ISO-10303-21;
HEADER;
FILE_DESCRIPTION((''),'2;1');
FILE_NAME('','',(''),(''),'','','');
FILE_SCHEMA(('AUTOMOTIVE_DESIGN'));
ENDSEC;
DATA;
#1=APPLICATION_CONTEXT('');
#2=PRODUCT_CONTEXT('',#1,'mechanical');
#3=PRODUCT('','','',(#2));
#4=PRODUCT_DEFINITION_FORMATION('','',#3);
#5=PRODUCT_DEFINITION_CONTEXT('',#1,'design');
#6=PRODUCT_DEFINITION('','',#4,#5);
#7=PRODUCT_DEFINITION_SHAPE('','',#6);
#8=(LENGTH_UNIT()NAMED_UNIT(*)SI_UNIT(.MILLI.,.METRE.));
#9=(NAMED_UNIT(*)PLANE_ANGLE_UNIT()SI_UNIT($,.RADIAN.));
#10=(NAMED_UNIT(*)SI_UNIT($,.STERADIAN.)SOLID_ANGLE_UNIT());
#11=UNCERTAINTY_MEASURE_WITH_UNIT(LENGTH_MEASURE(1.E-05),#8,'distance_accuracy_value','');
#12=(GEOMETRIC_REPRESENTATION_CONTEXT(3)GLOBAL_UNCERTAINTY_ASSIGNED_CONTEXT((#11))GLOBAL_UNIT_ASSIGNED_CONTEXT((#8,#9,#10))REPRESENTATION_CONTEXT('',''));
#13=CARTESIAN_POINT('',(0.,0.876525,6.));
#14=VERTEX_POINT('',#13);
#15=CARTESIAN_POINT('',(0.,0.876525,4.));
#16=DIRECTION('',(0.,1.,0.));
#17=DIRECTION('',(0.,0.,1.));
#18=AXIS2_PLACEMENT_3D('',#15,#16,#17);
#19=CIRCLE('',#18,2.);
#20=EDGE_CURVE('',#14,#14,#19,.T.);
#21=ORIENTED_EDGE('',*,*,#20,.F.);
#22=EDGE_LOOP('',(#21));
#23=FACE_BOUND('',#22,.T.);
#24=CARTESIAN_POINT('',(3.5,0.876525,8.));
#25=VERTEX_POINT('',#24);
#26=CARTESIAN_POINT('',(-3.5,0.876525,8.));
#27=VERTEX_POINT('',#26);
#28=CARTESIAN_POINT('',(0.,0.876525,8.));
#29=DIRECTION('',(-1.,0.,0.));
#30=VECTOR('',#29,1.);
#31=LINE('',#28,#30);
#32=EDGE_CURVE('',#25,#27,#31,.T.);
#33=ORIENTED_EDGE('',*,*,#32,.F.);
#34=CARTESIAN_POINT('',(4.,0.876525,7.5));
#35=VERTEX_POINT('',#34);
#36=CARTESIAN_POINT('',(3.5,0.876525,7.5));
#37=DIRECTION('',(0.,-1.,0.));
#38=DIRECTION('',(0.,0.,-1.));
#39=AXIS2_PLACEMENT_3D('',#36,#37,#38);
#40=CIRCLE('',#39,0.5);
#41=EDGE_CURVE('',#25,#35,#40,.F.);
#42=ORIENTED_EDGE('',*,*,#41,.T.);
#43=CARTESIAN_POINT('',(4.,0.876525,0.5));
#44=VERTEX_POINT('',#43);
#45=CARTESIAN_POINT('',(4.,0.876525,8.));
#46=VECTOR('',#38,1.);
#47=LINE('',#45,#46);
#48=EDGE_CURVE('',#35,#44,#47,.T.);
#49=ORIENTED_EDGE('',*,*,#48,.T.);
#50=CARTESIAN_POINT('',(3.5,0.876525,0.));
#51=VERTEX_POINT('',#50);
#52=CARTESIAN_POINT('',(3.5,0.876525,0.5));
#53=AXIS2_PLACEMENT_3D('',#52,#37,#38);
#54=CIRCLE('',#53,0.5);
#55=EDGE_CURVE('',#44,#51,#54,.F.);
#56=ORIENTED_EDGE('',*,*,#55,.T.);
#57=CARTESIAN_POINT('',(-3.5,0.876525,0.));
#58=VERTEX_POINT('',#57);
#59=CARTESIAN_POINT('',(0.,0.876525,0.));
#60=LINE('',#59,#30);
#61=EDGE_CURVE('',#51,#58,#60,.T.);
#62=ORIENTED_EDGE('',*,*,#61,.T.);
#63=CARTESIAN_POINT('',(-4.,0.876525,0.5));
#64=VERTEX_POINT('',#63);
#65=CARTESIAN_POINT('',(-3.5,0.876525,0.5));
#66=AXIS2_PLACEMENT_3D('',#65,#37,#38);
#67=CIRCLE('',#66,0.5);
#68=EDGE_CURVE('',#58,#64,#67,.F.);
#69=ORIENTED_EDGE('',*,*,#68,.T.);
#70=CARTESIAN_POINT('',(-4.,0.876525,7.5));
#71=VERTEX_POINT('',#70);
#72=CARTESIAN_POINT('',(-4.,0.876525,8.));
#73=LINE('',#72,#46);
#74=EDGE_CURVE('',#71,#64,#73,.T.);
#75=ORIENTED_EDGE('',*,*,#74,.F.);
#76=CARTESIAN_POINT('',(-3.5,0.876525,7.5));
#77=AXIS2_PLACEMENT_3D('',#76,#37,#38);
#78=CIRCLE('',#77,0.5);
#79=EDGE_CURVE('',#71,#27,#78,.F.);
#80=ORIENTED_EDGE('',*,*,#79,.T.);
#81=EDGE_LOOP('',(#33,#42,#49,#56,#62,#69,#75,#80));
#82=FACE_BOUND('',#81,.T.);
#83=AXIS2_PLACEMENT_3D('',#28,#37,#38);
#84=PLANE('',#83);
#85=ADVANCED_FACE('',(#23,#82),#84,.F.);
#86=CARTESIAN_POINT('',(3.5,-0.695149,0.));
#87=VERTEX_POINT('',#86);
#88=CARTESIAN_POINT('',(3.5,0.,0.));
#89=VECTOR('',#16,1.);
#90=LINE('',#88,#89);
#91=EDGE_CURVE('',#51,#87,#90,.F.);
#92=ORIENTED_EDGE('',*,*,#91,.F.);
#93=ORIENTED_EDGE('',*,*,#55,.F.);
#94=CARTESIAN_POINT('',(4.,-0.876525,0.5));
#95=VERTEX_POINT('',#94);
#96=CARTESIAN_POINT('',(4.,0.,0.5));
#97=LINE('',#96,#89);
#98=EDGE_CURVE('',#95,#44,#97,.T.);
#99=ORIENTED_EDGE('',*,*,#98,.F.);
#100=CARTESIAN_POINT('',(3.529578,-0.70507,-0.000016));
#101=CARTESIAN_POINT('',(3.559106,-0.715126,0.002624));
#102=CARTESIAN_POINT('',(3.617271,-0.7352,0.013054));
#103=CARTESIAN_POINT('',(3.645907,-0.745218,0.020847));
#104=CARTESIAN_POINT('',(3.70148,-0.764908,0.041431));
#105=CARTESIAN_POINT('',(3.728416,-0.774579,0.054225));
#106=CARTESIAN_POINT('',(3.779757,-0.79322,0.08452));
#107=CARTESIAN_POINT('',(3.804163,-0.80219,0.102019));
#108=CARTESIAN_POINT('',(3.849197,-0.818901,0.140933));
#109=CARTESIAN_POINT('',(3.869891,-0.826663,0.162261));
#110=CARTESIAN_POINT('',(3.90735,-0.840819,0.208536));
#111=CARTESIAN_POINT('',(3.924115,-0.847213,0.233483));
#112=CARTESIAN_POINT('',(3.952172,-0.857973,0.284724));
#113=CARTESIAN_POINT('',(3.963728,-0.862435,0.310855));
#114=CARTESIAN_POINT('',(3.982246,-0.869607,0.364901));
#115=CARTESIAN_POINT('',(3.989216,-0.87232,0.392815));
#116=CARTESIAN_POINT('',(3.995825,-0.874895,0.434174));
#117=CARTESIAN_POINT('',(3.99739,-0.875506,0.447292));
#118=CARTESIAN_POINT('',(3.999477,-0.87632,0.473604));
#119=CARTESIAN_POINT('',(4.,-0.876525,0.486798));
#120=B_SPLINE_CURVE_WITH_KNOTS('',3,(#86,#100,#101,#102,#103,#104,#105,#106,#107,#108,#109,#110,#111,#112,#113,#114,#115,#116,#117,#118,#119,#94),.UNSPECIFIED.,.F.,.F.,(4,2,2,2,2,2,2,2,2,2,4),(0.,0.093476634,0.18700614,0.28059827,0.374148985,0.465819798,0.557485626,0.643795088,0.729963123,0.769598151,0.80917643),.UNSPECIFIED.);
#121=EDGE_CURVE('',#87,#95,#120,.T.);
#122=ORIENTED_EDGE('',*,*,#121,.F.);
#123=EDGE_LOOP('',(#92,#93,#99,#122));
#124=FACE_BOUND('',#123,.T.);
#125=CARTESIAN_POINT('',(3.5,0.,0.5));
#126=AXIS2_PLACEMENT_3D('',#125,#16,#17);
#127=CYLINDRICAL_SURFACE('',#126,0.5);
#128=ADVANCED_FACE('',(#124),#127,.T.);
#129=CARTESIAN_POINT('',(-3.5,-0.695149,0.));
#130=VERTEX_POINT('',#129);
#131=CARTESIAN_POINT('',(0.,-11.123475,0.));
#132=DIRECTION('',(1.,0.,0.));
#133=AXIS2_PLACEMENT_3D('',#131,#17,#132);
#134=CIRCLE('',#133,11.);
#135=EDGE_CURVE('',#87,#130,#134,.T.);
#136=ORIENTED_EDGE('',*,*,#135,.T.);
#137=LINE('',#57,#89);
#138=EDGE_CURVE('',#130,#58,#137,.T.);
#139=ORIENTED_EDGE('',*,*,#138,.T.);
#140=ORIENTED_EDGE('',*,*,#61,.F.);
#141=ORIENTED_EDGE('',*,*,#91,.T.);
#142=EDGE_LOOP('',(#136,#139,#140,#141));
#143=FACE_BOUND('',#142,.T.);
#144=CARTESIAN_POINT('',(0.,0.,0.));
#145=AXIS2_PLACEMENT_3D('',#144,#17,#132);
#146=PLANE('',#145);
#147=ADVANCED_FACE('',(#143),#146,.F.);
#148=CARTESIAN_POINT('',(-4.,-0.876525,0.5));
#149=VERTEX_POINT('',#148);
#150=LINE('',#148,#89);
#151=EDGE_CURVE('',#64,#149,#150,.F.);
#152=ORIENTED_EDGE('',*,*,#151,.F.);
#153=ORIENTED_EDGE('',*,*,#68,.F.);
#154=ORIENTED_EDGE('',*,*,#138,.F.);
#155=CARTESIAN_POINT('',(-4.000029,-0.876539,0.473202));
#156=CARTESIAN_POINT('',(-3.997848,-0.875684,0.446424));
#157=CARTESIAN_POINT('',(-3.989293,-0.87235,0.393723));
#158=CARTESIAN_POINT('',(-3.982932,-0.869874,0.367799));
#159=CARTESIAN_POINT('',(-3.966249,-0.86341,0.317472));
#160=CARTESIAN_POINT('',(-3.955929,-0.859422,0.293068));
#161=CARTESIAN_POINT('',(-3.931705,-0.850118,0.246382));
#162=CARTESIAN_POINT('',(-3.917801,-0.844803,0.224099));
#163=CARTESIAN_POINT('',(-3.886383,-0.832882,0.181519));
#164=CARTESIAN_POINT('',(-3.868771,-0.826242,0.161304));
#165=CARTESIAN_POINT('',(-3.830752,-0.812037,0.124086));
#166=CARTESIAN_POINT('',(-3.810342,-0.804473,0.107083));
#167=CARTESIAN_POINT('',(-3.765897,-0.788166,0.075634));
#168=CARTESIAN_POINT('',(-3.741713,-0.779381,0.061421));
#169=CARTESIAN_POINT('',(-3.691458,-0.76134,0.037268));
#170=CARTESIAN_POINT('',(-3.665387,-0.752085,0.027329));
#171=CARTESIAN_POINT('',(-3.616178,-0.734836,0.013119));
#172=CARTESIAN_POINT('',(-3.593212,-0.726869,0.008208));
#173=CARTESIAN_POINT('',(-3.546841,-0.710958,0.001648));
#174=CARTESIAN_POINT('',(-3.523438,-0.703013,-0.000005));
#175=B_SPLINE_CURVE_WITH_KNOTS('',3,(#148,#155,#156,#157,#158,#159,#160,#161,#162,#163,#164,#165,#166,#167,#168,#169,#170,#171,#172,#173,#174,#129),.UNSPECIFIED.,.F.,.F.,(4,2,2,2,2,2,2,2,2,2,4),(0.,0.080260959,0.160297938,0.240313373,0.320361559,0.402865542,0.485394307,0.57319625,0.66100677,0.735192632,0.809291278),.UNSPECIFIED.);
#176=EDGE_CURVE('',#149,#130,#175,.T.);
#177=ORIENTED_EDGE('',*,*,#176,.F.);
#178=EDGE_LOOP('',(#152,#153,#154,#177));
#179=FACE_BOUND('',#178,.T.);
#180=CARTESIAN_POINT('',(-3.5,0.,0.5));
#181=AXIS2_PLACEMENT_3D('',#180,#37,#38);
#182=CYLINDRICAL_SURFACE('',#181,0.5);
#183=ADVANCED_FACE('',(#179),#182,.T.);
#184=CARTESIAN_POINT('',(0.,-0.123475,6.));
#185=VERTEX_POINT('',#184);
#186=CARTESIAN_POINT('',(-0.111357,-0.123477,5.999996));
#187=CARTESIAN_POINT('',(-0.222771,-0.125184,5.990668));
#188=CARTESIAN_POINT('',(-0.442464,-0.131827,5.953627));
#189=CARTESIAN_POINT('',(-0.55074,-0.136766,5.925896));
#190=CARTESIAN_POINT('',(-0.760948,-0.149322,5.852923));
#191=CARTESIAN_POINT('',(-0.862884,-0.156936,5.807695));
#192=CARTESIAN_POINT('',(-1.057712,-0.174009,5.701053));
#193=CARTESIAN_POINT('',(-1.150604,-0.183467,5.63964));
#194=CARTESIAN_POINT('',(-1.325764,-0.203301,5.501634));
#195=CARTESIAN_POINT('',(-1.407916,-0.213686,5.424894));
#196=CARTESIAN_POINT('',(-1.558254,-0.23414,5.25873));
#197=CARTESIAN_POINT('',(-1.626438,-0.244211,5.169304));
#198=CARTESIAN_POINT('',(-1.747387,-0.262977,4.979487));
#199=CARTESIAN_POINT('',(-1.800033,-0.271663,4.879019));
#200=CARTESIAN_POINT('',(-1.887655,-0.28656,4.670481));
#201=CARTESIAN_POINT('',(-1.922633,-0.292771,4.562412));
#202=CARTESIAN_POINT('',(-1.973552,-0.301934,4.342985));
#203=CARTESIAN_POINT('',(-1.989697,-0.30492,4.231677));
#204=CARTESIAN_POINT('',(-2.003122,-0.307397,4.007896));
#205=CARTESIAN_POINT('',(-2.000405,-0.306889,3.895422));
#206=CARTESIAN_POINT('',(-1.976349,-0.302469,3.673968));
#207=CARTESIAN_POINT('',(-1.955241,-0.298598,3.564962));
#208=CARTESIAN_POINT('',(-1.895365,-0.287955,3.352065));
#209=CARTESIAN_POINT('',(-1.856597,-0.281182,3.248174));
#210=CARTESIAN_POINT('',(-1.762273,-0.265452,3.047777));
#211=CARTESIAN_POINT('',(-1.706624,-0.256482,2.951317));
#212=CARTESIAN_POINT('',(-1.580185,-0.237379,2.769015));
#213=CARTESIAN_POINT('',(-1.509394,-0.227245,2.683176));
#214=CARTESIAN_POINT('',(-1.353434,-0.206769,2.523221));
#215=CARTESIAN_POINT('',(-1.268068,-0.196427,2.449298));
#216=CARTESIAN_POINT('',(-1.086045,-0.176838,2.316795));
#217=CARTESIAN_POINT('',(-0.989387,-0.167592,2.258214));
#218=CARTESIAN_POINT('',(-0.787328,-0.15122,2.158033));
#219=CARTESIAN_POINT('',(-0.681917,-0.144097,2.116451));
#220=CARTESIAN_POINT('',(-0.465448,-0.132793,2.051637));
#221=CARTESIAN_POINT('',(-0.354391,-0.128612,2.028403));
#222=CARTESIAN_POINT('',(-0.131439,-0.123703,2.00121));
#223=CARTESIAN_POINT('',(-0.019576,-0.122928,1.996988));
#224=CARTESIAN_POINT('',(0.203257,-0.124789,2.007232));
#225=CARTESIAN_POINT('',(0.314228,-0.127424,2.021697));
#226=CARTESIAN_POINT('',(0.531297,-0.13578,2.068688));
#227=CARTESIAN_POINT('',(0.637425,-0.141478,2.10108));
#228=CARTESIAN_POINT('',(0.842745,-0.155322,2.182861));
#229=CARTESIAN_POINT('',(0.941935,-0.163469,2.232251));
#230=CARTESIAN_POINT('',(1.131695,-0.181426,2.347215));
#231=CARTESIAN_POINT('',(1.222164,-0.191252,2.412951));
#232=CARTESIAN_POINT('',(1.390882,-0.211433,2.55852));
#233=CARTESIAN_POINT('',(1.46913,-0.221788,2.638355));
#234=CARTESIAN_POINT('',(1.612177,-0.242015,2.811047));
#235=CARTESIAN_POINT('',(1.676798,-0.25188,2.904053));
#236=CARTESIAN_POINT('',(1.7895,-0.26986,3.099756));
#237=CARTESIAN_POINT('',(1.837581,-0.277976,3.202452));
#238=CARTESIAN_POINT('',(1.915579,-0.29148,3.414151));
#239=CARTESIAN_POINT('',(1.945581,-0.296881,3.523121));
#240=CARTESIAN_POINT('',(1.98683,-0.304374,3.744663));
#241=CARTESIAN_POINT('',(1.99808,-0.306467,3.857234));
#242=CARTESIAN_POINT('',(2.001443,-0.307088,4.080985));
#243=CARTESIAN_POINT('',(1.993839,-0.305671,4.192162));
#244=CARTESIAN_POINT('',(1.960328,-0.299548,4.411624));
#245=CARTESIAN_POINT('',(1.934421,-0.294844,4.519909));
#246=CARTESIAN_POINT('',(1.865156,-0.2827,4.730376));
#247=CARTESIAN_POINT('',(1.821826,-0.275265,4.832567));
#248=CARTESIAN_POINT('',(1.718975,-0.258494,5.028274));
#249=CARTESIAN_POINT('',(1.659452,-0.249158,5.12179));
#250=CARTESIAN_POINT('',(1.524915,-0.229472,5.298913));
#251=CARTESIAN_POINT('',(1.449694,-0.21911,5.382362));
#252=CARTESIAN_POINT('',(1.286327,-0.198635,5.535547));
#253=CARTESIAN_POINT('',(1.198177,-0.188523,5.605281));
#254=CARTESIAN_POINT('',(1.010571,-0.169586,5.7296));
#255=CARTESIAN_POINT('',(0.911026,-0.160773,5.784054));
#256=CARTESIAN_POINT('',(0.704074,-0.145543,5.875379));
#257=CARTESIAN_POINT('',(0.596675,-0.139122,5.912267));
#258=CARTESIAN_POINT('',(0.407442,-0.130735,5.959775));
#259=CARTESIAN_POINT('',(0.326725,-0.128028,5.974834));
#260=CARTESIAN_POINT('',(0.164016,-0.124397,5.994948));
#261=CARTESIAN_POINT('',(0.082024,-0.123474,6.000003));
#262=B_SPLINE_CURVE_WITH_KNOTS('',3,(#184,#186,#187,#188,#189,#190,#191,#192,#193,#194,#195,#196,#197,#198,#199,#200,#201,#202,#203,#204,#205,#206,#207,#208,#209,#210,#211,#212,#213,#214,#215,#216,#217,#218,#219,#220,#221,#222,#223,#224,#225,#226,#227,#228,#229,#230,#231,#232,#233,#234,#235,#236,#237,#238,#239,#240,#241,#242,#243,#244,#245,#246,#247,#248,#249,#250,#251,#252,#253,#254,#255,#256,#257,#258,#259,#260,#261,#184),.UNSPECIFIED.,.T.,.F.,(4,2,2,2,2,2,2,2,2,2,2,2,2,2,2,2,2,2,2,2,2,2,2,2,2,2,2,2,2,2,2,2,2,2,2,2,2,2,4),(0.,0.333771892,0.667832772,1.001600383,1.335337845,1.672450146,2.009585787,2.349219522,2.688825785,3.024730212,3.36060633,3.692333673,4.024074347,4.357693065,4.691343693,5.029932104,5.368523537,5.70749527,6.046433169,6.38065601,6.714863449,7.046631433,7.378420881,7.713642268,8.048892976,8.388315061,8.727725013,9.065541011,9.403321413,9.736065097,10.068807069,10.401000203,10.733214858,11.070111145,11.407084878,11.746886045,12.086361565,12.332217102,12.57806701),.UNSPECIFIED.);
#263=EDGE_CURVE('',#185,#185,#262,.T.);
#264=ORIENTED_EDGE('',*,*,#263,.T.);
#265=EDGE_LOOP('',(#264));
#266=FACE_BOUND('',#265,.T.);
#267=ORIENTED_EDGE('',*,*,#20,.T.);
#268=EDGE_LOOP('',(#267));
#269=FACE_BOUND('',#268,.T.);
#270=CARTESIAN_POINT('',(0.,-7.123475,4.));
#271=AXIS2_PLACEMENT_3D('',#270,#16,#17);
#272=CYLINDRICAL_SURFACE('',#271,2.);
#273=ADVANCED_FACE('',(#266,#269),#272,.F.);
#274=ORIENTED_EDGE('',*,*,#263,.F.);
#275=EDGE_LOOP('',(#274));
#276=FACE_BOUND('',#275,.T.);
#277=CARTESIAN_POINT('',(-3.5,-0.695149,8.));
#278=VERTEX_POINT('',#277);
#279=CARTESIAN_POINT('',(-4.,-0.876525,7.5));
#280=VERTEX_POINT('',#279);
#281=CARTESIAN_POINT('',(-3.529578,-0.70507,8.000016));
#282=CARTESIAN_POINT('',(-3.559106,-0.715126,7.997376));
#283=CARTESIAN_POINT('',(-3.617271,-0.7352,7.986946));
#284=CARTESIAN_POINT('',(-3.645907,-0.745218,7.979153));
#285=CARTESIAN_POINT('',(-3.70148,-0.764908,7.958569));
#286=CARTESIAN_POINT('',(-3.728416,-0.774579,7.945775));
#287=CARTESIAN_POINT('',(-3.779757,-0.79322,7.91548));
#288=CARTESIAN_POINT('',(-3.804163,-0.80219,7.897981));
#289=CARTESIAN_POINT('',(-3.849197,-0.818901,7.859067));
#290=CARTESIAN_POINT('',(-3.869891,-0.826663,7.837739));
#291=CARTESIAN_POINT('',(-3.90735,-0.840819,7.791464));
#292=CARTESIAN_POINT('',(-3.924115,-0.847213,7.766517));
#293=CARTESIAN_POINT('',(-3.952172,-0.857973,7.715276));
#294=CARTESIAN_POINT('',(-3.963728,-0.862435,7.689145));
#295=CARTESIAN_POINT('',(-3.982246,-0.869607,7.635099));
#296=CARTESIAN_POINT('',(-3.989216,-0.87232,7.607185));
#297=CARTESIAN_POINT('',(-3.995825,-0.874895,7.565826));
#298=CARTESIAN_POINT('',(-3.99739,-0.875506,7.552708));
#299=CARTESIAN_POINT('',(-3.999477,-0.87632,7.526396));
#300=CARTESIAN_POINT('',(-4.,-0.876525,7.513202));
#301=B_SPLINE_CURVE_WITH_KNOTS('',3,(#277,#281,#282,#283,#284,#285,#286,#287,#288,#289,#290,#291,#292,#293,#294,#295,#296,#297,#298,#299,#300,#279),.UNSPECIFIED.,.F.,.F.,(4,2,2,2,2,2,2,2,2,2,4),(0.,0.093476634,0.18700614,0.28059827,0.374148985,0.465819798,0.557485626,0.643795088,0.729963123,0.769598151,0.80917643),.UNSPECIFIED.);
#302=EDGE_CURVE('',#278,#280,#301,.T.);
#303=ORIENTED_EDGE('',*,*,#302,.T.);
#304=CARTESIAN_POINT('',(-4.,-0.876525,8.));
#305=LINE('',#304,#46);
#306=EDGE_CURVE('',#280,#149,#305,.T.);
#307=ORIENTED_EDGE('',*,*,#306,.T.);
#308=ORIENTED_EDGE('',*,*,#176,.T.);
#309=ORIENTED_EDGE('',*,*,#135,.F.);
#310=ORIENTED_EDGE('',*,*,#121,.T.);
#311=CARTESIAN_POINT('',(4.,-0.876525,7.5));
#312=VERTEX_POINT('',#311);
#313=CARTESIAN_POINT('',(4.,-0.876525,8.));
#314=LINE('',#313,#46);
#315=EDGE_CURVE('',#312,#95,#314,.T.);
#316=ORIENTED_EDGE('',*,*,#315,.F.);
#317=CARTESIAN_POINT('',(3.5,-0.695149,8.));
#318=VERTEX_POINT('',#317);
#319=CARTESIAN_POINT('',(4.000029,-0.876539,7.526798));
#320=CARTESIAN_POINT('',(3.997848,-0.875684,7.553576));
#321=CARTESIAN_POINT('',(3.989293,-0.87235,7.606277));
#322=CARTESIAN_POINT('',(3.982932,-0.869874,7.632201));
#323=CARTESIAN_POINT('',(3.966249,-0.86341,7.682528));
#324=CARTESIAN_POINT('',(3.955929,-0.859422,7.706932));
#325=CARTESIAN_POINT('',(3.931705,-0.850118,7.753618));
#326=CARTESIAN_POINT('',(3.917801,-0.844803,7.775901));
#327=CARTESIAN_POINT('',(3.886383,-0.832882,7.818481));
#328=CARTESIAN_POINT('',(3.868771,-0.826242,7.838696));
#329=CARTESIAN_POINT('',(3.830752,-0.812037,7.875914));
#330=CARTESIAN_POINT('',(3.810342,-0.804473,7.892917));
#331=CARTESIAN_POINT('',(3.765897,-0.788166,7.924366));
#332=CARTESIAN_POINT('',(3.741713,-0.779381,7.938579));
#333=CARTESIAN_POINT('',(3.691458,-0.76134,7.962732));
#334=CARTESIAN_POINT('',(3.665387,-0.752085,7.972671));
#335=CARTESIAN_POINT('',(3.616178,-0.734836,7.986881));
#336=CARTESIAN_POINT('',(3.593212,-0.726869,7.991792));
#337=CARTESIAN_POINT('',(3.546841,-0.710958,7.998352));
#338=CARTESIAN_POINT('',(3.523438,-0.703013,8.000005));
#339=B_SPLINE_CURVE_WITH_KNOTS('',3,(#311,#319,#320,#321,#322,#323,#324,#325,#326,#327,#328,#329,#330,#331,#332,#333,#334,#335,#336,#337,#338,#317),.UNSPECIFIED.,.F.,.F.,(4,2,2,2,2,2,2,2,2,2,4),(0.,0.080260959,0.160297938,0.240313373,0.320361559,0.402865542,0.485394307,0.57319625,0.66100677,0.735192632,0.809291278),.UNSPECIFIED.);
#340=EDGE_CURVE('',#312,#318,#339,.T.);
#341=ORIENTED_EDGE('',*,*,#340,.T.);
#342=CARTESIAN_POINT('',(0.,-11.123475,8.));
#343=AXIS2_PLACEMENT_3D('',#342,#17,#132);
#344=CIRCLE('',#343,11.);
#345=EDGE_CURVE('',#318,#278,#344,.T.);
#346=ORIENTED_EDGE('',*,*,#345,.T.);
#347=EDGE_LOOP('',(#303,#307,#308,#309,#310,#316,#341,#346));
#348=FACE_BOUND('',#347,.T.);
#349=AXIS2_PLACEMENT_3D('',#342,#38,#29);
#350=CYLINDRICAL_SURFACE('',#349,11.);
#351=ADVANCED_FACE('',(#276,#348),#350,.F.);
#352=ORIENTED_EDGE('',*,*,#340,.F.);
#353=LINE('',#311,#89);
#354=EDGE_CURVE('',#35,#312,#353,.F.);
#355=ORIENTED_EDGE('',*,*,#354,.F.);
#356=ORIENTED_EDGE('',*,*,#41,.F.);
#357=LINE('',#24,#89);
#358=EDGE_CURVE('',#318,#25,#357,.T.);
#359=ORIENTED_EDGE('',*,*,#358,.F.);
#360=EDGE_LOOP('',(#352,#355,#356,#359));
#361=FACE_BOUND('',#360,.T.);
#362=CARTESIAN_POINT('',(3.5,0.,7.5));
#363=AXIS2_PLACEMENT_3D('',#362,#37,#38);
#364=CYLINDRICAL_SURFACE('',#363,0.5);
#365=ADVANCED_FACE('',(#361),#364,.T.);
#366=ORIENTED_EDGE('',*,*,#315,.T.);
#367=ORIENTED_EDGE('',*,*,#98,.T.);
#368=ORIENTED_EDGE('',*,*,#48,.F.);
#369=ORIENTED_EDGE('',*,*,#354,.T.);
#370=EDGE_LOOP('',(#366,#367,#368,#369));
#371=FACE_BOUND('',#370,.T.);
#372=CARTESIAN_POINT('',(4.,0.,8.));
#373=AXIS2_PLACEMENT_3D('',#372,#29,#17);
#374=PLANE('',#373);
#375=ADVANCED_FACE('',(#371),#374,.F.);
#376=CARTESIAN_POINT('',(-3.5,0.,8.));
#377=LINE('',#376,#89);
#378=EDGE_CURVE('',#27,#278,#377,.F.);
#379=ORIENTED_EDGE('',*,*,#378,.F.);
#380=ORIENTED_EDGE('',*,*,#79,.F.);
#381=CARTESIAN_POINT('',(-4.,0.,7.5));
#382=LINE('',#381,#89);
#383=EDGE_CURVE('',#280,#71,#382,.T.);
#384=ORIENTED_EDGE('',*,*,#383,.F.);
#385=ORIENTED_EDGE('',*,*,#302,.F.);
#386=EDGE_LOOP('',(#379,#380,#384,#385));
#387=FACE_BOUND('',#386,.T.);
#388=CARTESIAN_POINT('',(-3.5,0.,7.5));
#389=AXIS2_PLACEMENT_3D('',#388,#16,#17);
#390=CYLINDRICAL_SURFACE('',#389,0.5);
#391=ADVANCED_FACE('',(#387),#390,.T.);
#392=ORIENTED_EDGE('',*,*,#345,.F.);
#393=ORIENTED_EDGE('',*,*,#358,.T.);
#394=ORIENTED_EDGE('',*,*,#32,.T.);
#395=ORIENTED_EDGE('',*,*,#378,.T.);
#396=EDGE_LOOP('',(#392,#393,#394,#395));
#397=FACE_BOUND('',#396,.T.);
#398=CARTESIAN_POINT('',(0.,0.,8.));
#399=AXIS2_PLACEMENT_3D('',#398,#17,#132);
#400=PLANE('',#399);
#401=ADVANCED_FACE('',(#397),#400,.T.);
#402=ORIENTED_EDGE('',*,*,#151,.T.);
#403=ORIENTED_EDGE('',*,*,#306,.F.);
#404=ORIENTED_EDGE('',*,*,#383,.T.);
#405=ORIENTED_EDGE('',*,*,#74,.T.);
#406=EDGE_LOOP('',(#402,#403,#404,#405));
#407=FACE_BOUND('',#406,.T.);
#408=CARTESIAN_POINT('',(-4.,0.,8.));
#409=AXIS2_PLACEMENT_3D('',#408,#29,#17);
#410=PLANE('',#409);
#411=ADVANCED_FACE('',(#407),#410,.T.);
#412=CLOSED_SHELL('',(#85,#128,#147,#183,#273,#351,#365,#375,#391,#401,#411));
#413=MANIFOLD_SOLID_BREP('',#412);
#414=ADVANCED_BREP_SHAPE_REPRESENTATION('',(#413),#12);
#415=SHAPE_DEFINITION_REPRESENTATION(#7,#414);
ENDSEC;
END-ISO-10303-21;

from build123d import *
from build123d.topology import SkipClean

# Parameters (mm, degrees)
DODANIE_WYCI_GNI_CIE1_DEPTH = 8
SZKIC2_R                    = 2
WYTNIJ_WYCI_GNI_CIE1_DEPTH  = 8
ZAOKR_GLENIE1_R             = 0.5


with BuildPart() as part:
    # Szkic1 → Dodanie-wyciągnięcie1 (new body)
    with BuildSketch(Plane.XY):
        with BuildLine():
            Line((0, 0.876524617), (0, -0.123475383))
            ThreePointArc((0, -0.123475383), (2.035134096, -0.3133769), (4, -0.876524617))
            Line((4, -0.876524617), (4, 0.876524617))
            Line((4, 0.876524617), (0, 0.876524617))
        make_face()
        with BuildLine():
            ThreePointArc((-4, -0.876524617), (-2.035134096, -0.3133769), (0, -0.123475383))
            Line((0, -0.123475383), (0, 0.876524617))
            Line((0, 0.876524617), (-4, 0.876524617))
            Line((-4, 0.876524617), (-4, -0.876524617))
        make_face()
    extrude(amount=DODANIE_WYCI_GNI_CIE1_DEPTH)

    # Szkic2 → Wytnij-wyciągnięcie1 (cut)
    with SkipClean():  # the faces are left unmerged after this step: merging them gives an invalid solid
        with BuildSketch(Plane(origin=(0, 0.876524617, 0), x_dir=(1, 0, 0), z_dir=(0, 1, 0))):
            with Locations(Location((0, -4, 0), (0, 0, 270))):
                Circle(SZKIC2_R)
        extrude(amount=-WYTNIJ_WYCI_GNI_CIE1_DEPTH, mode=Mode.SUBTRACT)

    # Zaokrąglenie1
    zaokr_glenie1_edges = [part.edges().sort_by_distance(p)[0] for p in [
        (4, 0, 8),
        (-4, 0, 8),
        (-4, 0, 0),
        (4, 0, 0),
    ]]
    fillet(zaokr_glenie1_edges, radius=ZAOKR_GLENIE1_R)


solid = part.part
